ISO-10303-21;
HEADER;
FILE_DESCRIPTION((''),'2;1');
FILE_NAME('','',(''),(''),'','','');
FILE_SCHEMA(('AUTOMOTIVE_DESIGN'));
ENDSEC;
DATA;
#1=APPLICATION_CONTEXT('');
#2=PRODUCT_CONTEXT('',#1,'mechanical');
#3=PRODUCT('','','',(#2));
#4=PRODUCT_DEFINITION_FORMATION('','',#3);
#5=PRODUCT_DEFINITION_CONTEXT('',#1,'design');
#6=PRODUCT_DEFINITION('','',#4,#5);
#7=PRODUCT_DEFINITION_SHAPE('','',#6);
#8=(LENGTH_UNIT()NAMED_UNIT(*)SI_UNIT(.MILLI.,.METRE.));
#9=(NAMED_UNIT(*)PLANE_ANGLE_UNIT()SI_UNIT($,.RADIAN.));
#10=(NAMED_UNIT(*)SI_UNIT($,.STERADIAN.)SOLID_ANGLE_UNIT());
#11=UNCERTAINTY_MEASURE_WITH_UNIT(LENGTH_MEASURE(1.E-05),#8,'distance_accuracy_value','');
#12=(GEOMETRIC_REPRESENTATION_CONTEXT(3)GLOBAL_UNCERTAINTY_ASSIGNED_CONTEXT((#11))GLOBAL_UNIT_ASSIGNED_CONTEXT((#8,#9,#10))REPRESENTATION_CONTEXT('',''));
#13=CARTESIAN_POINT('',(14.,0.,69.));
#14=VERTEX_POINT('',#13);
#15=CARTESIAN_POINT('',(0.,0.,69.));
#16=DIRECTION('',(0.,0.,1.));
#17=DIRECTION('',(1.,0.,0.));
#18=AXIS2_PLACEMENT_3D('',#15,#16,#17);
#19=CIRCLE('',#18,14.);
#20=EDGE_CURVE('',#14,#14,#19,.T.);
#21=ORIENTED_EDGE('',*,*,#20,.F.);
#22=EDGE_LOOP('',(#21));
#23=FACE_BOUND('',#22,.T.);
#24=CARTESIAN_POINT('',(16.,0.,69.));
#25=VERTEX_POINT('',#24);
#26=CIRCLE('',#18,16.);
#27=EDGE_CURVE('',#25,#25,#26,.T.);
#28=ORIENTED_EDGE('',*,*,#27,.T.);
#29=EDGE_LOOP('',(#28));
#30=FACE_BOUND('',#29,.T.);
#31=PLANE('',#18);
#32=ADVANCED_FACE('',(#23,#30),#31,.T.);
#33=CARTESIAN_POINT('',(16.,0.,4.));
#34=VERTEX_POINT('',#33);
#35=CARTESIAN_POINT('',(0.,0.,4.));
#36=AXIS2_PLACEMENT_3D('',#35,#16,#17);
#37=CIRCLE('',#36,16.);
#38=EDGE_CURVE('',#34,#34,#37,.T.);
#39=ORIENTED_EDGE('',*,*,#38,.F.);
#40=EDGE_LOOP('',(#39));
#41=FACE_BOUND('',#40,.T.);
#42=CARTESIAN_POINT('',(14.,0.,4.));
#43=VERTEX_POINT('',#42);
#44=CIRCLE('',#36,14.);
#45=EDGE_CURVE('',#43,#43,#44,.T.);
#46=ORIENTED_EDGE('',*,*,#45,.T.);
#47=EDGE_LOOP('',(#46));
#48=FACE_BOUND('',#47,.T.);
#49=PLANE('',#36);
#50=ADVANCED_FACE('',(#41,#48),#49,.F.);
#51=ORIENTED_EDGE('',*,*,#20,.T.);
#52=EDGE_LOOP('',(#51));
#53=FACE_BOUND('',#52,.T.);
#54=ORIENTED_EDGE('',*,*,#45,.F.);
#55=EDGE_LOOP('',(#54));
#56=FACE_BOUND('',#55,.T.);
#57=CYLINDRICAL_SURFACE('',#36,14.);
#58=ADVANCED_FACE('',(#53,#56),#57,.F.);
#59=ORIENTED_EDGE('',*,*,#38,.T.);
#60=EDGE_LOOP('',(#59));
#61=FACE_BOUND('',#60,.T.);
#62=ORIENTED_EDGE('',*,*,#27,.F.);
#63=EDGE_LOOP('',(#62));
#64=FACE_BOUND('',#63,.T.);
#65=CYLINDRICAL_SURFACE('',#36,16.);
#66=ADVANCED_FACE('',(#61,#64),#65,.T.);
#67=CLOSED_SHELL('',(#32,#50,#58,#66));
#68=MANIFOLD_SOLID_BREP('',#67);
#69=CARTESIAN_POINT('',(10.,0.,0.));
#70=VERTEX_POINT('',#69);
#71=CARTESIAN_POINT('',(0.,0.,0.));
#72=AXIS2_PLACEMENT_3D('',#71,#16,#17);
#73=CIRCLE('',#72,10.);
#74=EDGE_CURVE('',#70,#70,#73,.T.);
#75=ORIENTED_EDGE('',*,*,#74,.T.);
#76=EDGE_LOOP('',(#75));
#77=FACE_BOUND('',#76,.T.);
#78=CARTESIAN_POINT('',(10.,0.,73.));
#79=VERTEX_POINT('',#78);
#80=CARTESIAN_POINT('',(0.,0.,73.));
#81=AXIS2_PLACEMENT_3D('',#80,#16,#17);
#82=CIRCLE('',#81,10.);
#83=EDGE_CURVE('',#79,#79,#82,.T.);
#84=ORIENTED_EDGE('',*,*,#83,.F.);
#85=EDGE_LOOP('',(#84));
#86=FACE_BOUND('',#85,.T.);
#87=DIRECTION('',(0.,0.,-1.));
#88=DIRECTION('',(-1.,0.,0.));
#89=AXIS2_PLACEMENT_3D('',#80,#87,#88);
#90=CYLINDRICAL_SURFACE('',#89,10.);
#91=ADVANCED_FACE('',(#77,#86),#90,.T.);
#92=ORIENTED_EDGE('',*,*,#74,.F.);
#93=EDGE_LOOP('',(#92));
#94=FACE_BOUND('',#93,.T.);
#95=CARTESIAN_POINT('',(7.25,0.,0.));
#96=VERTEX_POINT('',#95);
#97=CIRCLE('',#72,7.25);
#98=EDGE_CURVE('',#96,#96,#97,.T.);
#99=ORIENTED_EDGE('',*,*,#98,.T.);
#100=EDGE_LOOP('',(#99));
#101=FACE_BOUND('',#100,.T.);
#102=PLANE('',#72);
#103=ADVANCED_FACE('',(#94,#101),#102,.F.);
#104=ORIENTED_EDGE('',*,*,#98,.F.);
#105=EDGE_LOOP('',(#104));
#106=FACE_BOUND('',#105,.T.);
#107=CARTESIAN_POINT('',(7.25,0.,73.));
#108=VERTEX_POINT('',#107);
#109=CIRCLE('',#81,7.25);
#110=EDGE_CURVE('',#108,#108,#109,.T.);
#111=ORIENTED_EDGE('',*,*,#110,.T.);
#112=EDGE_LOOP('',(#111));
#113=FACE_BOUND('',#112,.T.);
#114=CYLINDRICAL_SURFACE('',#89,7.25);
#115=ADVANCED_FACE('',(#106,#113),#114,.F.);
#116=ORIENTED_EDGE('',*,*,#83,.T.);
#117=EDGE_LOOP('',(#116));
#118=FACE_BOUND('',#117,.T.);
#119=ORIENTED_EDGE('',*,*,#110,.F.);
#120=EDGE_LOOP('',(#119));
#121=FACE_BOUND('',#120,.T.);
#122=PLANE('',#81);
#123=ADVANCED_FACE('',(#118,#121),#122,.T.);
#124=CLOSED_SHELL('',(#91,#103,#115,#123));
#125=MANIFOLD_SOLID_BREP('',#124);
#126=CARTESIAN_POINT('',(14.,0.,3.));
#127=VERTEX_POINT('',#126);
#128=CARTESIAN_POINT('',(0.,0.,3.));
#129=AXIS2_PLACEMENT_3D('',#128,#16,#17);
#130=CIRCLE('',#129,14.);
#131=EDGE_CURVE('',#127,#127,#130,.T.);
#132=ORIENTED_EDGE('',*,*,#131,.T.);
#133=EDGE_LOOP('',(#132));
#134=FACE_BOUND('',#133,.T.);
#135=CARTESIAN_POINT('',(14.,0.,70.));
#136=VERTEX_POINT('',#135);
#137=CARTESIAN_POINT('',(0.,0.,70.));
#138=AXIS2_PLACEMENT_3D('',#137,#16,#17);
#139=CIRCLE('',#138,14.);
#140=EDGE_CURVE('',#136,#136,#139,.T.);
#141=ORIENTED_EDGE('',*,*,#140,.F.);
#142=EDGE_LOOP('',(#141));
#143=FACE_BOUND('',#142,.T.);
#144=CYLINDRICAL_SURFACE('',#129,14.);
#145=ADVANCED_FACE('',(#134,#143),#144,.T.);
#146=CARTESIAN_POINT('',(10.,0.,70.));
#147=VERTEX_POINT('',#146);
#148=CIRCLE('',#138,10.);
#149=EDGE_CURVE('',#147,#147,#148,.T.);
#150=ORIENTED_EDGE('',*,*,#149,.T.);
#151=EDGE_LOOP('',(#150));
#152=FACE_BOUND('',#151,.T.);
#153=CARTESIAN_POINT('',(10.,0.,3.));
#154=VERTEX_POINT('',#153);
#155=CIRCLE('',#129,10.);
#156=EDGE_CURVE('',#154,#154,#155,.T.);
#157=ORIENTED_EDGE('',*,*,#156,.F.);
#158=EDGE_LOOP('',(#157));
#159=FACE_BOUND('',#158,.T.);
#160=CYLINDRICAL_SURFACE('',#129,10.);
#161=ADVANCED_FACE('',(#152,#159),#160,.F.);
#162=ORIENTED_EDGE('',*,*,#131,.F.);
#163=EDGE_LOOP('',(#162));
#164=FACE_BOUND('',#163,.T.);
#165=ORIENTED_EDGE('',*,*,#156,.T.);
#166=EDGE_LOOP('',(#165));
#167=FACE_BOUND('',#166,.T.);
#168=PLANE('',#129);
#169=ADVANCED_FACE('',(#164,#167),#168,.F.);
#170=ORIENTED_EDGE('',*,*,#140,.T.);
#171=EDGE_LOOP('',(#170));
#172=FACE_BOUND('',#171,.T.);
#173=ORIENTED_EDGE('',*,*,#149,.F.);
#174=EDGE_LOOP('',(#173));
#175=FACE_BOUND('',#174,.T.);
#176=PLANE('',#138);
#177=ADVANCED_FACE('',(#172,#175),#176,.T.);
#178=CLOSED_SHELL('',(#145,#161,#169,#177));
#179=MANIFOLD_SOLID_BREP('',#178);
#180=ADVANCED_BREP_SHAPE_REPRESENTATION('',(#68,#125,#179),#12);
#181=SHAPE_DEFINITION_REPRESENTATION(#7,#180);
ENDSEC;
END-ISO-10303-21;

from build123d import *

# Parameters (mm, degrees)
SKETCH_1_R         = 10
SKETCH_1_R_2       = 7.25
EXTRUDE_864_DEPTH  = 73
EXTRUDE_START      = -3
SKETCH_2_R         = 14
SKETCH_2_R_2       = 10
EXTRUDE_986_DEPTH  = 67
EXTRUDE_START_2    = -1
SKETCH_3_R         = 16
SKETCH_3_R_2       = 14
EXTRUDE_1108_DEPTH = 65


with BuildPart() as part:
    # 草图1 → Extrude 864 (new body)
    with BuildSketch(Plane.XY):
        Circle(SKETCH_1_R)
        Circle(SKETCH_1_R_2, mode=Mode.SUBTRACT)
    extrude(amount=EXTRUDE_864_DEPTH)


with BuildPart() as body_2:
    # 草图2 → Extrude 986 (new body)
    with BuildSketch(Plane.XY.offset(73).offset(EXTRUDE_START)):
        Circle(SKETCH_2_R)
        Circle(SKETCH_2_R_2, mode=Mode.SUBTRACT)
    extrude(amount=-EXTRUDE_986_DEPTH)


with BuildPart() as body_3:
    # 草图3 → Extrude 1108 (new body)
    with BuildSketch(Plane.XY.offset(70).offset(EXTRUDE_START_2)):
        Circle(SKETCH_3_R)
        Circle(SKETCH_3_R_2, mode=Mode.SUBTRACT)
    extrude(amount=-EXTRUDE_1108_DEPTH)


solid = Compound([part.part, body_2.part, body_3.part])
